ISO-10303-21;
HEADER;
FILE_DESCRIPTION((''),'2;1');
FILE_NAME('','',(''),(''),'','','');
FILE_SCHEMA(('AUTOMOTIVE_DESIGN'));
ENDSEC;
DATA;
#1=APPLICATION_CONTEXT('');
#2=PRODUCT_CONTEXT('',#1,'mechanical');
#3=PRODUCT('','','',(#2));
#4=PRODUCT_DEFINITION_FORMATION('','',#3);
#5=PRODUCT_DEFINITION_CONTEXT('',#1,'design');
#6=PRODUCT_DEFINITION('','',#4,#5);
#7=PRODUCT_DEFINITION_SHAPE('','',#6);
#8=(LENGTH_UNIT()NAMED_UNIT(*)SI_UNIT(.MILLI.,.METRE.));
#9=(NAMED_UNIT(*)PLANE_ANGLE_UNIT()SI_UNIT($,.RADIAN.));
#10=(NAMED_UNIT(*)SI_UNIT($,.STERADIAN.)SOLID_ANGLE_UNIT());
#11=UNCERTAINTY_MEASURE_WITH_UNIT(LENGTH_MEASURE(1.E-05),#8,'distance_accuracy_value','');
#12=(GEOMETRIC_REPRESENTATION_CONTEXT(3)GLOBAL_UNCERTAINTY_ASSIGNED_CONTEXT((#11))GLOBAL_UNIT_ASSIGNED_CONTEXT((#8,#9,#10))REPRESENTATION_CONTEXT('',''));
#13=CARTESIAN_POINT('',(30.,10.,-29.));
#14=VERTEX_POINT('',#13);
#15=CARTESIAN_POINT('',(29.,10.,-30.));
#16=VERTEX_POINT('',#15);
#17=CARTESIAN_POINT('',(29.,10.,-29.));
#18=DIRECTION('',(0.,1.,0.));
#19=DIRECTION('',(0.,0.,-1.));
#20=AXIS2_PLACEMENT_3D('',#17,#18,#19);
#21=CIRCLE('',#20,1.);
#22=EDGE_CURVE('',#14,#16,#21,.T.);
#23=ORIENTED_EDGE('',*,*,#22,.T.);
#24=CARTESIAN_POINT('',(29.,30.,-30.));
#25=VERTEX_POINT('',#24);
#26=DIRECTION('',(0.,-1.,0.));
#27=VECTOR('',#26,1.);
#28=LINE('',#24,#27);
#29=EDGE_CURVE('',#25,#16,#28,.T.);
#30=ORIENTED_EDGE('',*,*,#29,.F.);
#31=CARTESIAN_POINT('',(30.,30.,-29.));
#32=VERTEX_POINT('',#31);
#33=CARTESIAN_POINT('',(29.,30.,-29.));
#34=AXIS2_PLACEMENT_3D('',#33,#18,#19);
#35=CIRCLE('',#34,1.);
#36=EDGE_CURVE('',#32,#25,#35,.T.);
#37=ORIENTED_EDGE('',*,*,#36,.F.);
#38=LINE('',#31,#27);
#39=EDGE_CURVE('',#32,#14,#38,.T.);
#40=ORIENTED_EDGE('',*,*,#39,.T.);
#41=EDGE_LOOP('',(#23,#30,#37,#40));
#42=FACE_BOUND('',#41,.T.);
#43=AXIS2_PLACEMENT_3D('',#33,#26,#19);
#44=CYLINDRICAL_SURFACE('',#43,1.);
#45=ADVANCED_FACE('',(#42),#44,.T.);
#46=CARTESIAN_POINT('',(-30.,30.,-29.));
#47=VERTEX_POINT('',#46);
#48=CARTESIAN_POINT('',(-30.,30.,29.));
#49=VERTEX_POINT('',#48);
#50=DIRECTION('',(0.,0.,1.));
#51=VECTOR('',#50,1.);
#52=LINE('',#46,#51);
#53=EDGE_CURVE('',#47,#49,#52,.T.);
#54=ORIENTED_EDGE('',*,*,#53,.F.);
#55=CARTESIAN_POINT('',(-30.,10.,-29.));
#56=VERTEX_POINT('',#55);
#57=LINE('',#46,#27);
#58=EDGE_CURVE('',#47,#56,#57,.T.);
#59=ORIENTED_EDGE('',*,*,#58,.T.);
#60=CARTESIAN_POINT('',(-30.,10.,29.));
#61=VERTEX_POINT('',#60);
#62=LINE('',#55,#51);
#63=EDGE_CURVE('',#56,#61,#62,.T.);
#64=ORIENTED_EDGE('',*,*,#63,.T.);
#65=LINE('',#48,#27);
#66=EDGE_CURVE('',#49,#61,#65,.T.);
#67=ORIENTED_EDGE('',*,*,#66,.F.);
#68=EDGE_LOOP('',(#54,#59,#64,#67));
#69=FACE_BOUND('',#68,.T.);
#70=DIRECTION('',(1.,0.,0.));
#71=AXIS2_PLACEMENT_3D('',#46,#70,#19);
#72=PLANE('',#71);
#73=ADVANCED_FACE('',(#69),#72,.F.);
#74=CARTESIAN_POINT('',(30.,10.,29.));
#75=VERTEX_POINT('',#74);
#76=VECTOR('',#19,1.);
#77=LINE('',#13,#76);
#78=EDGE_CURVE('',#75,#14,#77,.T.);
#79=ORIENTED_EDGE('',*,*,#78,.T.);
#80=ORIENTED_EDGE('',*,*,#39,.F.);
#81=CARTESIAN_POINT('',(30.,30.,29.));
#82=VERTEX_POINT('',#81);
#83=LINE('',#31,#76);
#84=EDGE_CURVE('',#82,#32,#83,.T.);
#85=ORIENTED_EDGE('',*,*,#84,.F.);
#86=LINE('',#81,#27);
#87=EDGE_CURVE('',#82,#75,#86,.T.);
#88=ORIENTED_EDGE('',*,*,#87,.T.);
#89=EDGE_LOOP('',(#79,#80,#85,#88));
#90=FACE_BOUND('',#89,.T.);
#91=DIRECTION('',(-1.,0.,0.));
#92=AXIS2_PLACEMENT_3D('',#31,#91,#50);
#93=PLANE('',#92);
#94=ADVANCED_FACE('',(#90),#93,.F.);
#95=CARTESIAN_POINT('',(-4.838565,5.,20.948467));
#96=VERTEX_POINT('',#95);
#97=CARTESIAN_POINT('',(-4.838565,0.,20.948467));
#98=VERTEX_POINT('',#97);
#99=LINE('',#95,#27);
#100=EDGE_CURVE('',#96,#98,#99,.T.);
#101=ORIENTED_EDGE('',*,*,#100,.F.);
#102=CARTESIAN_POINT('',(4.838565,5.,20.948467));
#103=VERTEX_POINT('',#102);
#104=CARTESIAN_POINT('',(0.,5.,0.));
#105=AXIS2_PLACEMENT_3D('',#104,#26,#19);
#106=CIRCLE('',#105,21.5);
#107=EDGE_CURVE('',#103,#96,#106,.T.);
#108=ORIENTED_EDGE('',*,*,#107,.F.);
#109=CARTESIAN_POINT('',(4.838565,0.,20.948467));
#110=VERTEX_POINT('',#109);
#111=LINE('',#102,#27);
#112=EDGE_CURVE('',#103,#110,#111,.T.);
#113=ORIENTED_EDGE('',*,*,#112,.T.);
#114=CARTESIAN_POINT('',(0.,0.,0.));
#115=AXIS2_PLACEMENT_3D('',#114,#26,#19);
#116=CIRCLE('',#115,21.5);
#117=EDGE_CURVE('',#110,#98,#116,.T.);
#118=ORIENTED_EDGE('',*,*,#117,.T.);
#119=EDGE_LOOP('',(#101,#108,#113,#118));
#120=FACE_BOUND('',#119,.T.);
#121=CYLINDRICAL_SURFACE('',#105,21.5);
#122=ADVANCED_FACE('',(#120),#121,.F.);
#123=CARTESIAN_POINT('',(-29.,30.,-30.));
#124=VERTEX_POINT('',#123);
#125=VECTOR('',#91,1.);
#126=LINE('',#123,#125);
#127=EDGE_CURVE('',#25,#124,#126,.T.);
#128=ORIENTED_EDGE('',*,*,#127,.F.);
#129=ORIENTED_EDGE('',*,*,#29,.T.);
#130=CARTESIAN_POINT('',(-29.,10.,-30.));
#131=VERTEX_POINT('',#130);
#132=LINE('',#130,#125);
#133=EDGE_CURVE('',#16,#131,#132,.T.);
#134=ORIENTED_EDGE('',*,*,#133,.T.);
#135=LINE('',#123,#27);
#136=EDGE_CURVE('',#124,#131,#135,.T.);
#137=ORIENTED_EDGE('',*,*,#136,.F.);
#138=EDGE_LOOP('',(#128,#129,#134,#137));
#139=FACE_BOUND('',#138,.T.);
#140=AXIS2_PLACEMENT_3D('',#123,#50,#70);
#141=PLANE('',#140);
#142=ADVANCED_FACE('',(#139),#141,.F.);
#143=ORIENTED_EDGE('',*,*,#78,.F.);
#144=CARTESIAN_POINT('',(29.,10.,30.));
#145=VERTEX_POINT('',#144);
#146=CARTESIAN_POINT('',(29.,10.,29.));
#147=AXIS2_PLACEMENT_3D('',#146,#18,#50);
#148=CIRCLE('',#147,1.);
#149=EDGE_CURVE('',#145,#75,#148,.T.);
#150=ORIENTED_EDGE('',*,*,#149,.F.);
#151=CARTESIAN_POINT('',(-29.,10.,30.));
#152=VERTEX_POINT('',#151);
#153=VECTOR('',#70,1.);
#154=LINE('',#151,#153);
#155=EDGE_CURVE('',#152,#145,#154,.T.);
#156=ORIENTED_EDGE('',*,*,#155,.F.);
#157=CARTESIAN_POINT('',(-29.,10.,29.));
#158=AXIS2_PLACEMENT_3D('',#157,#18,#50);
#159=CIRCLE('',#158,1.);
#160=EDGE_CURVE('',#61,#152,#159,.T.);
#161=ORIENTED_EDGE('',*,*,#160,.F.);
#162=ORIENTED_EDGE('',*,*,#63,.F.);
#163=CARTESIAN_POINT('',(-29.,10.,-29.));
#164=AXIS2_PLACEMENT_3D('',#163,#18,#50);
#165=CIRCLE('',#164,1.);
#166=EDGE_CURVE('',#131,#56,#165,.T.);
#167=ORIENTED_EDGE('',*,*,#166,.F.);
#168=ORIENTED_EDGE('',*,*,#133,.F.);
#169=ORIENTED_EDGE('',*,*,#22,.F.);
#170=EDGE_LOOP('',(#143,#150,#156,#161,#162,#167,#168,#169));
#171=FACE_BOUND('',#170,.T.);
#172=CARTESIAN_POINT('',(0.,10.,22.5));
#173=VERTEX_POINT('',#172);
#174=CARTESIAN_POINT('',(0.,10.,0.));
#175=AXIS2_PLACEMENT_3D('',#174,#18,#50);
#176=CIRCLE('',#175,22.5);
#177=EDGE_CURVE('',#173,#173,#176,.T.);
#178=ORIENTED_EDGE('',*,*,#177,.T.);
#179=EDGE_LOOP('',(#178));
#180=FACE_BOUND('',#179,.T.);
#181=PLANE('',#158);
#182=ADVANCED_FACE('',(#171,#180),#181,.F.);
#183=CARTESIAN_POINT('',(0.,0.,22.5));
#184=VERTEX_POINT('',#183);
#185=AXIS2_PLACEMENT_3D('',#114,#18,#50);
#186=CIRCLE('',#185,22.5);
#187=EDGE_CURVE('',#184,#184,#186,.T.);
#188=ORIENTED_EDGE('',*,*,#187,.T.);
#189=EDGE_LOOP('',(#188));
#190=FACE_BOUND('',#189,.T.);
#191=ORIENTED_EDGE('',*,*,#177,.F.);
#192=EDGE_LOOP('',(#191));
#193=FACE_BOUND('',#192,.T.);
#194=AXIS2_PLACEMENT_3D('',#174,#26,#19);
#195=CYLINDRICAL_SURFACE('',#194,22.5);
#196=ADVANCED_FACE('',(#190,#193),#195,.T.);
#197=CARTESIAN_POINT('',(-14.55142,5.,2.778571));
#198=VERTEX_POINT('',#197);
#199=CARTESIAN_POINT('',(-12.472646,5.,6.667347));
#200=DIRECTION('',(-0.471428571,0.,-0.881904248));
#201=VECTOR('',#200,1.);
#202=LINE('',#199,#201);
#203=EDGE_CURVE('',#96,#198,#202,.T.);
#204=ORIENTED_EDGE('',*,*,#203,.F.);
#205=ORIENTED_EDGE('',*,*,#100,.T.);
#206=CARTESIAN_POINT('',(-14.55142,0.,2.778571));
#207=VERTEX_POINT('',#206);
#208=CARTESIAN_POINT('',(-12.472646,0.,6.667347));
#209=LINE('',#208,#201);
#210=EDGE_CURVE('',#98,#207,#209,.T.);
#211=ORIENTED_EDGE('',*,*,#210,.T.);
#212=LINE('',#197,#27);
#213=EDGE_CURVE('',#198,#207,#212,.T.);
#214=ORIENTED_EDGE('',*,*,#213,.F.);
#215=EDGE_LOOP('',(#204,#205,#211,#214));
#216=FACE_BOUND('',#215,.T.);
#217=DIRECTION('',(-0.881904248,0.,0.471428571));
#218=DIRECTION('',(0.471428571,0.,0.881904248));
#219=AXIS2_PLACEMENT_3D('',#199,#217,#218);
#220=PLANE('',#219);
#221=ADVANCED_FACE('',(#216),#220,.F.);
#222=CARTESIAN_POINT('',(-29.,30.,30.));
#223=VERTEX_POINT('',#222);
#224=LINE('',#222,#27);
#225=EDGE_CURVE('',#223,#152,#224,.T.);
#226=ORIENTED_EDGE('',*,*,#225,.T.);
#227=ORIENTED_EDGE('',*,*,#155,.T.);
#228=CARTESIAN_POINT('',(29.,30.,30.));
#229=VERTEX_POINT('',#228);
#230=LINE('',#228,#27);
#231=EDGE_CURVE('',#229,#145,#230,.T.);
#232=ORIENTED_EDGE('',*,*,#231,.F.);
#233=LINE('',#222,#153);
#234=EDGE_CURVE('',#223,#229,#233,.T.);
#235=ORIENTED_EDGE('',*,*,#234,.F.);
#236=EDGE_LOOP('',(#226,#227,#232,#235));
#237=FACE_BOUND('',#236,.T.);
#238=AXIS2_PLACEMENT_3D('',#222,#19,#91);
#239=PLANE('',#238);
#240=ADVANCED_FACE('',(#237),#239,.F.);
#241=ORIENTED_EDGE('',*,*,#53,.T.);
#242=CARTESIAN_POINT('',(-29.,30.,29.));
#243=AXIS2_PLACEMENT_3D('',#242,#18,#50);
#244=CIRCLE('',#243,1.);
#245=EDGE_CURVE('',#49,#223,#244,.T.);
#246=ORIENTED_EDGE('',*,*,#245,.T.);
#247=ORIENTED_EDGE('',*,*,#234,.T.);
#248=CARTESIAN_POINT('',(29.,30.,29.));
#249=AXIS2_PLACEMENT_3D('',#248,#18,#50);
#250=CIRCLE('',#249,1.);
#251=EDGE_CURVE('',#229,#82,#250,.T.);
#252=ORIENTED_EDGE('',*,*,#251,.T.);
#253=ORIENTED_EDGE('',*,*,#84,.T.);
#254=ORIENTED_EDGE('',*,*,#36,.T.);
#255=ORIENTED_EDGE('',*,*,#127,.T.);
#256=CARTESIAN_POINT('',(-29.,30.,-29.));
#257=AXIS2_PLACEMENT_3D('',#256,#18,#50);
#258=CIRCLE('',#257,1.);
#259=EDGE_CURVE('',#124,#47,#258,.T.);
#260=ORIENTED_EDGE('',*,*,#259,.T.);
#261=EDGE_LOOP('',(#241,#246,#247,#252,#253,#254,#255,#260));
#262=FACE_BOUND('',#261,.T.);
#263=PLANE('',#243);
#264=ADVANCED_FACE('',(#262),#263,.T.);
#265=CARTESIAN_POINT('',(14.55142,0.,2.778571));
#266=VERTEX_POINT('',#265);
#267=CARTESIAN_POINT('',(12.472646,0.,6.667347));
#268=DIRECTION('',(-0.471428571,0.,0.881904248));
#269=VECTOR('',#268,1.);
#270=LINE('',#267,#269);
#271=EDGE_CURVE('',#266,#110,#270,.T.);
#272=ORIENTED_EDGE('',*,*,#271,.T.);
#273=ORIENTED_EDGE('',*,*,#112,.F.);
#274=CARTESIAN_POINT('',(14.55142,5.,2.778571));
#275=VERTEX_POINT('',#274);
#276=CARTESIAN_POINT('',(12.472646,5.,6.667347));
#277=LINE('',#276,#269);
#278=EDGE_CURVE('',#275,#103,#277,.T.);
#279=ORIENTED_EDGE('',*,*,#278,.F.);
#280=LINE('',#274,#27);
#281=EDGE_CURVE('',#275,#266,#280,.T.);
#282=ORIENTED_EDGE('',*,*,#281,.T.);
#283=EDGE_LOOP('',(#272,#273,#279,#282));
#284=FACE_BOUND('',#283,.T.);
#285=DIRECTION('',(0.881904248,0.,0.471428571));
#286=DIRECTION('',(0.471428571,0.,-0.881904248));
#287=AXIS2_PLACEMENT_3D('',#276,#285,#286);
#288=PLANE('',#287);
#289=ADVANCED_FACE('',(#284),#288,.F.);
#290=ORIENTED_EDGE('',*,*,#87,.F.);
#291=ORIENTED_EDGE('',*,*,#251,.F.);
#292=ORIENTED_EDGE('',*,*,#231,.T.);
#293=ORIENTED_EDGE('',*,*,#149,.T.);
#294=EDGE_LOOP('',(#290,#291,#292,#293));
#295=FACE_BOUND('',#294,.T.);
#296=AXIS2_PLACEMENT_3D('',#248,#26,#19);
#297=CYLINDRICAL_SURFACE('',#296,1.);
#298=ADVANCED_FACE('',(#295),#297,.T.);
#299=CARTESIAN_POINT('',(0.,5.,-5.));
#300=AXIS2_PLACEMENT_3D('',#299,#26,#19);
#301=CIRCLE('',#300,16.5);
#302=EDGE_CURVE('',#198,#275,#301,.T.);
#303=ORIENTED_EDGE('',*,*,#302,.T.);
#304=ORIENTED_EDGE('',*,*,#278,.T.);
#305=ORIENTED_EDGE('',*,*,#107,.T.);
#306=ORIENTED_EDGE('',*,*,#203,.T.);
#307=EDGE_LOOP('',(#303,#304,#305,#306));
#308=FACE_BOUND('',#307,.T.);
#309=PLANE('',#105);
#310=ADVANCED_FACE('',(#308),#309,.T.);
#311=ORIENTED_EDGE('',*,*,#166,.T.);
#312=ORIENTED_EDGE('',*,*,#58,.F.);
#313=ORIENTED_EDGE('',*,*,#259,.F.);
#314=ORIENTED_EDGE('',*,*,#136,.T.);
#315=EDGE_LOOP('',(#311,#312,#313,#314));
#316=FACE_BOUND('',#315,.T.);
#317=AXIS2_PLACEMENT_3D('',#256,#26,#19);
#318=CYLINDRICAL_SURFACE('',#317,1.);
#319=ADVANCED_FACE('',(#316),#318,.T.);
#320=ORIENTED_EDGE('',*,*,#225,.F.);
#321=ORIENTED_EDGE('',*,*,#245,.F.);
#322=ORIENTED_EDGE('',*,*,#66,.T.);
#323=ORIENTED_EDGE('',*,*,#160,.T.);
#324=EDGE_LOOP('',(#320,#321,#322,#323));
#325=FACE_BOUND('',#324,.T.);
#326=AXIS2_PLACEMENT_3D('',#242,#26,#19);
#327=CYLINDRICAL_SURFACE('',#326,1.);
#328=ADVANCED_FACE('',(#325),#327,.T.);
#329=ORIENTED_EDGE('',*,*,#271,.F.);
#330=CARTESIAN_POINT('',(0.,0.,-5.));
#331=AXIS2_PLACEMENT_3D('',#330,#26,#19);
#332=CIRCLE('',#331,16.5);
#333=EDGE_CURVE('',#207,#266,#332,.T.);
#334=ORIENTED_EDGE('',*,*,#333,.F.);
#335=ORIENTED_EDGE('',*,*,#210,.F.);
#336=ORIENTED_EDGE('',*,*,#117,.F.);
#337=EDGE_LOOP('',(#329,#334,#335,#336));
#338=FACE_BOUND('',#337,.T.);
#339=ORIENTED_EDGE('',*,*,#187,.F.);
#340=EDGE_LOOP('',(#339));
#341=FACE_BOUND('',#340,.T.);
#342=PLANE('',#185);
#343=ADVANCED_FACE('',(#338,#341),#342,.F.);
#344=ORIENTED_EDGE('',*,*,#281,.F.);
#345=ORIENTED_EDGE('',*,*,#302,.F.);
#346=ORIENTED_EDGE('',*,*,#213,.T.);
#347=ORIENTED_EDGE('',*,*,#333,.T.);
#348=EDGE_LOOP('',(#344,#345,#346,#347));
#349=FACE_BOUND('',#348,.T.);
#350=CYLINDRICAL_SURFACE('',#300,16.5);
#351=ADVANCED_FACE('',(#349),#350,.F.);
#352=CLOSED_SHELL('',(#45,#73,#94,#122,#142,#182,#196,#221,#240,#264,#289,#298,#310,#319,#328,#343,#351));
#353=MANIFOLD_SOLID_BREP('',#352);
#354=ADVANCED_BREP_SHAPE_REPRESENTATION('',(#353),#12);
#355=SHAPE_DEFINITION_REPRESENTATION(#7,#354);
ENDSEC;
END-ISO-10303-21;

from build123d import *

# Parameters (mm, degrees)
SKETCH1_R           = 22.5
BOSS_EXTRUDE1_DEPTH = 10
BOSS_EXTRUDE2_DEPTH = 20
SKETCH3_R           = 16.5
CUT_EXTRUDE2_DEPTH  = 5


with BuildPart() as part:
    # Sketch1 → Boss-Extrude1 (new body)
    with BuildSketch(Plane(origin=(0, 0, 0), x_dir=(1, 0, 0), z_dir=(0, 1, 0))):
        Circle(SKETCH1_R)
    extrude(amount=BOSS_EXTRUDE1_DEPTH)

    # Sketch2 → Boss-Extrude2 (add)
    with BuildSketch(Plane(origin=(0, 10, 0), x_dir=(1, 0, 0), z_dir=(0, 1, 0))):
        with BuildLine():
            Line((-29, 30), (29, 30))
            ThreePointArc((29, 30), (29.707106781, 29.707106781), (30, 29))
            Line((30, 29), (30, -29))
            ThreePointArc((30, -29), (29.707106781, -29.707106781), (29, -30))
            Line((29, -30), (-29, -30))
            ThreePointArc((-29, -30), (-29.707106781, -29.707106781), (-30, -29))
            Line((-30, -29), (-30, 29))
            ThreePointArc((-30, 29), (-29.707106781, 29.707106781), (-29, 30))
        make_face()
    extrude(amount=BOSS_EXTRUDE2_DEPTH)

    # Sketch3 → Cut-Extrude2 (cut)
    with BuildSketch(Plane.XZ):
        with BuildLine():
            ThreePointArc((-14.551420086, 2.778571429), (0, 11.5), (14.551420086, 2.778571429))
            Line((14.551420086, 2.778571429), (4.83856504, 20.948467447))
            ThreePointArc((4.83856504, 20.948467447), (0, 21.5), (-4.83856504, 20.948467447))
            Line((-4.83856504, 20.948467447), (-14.551420086, 2.778571429))
        make_face()
        with Locations((0, -5)):
            Circle(SKETCH3_R)
    extrude(amount=-CUT_EXTRUDE2_DEPTH, mode=Mode.SUBTRACT)


solid = part.part
